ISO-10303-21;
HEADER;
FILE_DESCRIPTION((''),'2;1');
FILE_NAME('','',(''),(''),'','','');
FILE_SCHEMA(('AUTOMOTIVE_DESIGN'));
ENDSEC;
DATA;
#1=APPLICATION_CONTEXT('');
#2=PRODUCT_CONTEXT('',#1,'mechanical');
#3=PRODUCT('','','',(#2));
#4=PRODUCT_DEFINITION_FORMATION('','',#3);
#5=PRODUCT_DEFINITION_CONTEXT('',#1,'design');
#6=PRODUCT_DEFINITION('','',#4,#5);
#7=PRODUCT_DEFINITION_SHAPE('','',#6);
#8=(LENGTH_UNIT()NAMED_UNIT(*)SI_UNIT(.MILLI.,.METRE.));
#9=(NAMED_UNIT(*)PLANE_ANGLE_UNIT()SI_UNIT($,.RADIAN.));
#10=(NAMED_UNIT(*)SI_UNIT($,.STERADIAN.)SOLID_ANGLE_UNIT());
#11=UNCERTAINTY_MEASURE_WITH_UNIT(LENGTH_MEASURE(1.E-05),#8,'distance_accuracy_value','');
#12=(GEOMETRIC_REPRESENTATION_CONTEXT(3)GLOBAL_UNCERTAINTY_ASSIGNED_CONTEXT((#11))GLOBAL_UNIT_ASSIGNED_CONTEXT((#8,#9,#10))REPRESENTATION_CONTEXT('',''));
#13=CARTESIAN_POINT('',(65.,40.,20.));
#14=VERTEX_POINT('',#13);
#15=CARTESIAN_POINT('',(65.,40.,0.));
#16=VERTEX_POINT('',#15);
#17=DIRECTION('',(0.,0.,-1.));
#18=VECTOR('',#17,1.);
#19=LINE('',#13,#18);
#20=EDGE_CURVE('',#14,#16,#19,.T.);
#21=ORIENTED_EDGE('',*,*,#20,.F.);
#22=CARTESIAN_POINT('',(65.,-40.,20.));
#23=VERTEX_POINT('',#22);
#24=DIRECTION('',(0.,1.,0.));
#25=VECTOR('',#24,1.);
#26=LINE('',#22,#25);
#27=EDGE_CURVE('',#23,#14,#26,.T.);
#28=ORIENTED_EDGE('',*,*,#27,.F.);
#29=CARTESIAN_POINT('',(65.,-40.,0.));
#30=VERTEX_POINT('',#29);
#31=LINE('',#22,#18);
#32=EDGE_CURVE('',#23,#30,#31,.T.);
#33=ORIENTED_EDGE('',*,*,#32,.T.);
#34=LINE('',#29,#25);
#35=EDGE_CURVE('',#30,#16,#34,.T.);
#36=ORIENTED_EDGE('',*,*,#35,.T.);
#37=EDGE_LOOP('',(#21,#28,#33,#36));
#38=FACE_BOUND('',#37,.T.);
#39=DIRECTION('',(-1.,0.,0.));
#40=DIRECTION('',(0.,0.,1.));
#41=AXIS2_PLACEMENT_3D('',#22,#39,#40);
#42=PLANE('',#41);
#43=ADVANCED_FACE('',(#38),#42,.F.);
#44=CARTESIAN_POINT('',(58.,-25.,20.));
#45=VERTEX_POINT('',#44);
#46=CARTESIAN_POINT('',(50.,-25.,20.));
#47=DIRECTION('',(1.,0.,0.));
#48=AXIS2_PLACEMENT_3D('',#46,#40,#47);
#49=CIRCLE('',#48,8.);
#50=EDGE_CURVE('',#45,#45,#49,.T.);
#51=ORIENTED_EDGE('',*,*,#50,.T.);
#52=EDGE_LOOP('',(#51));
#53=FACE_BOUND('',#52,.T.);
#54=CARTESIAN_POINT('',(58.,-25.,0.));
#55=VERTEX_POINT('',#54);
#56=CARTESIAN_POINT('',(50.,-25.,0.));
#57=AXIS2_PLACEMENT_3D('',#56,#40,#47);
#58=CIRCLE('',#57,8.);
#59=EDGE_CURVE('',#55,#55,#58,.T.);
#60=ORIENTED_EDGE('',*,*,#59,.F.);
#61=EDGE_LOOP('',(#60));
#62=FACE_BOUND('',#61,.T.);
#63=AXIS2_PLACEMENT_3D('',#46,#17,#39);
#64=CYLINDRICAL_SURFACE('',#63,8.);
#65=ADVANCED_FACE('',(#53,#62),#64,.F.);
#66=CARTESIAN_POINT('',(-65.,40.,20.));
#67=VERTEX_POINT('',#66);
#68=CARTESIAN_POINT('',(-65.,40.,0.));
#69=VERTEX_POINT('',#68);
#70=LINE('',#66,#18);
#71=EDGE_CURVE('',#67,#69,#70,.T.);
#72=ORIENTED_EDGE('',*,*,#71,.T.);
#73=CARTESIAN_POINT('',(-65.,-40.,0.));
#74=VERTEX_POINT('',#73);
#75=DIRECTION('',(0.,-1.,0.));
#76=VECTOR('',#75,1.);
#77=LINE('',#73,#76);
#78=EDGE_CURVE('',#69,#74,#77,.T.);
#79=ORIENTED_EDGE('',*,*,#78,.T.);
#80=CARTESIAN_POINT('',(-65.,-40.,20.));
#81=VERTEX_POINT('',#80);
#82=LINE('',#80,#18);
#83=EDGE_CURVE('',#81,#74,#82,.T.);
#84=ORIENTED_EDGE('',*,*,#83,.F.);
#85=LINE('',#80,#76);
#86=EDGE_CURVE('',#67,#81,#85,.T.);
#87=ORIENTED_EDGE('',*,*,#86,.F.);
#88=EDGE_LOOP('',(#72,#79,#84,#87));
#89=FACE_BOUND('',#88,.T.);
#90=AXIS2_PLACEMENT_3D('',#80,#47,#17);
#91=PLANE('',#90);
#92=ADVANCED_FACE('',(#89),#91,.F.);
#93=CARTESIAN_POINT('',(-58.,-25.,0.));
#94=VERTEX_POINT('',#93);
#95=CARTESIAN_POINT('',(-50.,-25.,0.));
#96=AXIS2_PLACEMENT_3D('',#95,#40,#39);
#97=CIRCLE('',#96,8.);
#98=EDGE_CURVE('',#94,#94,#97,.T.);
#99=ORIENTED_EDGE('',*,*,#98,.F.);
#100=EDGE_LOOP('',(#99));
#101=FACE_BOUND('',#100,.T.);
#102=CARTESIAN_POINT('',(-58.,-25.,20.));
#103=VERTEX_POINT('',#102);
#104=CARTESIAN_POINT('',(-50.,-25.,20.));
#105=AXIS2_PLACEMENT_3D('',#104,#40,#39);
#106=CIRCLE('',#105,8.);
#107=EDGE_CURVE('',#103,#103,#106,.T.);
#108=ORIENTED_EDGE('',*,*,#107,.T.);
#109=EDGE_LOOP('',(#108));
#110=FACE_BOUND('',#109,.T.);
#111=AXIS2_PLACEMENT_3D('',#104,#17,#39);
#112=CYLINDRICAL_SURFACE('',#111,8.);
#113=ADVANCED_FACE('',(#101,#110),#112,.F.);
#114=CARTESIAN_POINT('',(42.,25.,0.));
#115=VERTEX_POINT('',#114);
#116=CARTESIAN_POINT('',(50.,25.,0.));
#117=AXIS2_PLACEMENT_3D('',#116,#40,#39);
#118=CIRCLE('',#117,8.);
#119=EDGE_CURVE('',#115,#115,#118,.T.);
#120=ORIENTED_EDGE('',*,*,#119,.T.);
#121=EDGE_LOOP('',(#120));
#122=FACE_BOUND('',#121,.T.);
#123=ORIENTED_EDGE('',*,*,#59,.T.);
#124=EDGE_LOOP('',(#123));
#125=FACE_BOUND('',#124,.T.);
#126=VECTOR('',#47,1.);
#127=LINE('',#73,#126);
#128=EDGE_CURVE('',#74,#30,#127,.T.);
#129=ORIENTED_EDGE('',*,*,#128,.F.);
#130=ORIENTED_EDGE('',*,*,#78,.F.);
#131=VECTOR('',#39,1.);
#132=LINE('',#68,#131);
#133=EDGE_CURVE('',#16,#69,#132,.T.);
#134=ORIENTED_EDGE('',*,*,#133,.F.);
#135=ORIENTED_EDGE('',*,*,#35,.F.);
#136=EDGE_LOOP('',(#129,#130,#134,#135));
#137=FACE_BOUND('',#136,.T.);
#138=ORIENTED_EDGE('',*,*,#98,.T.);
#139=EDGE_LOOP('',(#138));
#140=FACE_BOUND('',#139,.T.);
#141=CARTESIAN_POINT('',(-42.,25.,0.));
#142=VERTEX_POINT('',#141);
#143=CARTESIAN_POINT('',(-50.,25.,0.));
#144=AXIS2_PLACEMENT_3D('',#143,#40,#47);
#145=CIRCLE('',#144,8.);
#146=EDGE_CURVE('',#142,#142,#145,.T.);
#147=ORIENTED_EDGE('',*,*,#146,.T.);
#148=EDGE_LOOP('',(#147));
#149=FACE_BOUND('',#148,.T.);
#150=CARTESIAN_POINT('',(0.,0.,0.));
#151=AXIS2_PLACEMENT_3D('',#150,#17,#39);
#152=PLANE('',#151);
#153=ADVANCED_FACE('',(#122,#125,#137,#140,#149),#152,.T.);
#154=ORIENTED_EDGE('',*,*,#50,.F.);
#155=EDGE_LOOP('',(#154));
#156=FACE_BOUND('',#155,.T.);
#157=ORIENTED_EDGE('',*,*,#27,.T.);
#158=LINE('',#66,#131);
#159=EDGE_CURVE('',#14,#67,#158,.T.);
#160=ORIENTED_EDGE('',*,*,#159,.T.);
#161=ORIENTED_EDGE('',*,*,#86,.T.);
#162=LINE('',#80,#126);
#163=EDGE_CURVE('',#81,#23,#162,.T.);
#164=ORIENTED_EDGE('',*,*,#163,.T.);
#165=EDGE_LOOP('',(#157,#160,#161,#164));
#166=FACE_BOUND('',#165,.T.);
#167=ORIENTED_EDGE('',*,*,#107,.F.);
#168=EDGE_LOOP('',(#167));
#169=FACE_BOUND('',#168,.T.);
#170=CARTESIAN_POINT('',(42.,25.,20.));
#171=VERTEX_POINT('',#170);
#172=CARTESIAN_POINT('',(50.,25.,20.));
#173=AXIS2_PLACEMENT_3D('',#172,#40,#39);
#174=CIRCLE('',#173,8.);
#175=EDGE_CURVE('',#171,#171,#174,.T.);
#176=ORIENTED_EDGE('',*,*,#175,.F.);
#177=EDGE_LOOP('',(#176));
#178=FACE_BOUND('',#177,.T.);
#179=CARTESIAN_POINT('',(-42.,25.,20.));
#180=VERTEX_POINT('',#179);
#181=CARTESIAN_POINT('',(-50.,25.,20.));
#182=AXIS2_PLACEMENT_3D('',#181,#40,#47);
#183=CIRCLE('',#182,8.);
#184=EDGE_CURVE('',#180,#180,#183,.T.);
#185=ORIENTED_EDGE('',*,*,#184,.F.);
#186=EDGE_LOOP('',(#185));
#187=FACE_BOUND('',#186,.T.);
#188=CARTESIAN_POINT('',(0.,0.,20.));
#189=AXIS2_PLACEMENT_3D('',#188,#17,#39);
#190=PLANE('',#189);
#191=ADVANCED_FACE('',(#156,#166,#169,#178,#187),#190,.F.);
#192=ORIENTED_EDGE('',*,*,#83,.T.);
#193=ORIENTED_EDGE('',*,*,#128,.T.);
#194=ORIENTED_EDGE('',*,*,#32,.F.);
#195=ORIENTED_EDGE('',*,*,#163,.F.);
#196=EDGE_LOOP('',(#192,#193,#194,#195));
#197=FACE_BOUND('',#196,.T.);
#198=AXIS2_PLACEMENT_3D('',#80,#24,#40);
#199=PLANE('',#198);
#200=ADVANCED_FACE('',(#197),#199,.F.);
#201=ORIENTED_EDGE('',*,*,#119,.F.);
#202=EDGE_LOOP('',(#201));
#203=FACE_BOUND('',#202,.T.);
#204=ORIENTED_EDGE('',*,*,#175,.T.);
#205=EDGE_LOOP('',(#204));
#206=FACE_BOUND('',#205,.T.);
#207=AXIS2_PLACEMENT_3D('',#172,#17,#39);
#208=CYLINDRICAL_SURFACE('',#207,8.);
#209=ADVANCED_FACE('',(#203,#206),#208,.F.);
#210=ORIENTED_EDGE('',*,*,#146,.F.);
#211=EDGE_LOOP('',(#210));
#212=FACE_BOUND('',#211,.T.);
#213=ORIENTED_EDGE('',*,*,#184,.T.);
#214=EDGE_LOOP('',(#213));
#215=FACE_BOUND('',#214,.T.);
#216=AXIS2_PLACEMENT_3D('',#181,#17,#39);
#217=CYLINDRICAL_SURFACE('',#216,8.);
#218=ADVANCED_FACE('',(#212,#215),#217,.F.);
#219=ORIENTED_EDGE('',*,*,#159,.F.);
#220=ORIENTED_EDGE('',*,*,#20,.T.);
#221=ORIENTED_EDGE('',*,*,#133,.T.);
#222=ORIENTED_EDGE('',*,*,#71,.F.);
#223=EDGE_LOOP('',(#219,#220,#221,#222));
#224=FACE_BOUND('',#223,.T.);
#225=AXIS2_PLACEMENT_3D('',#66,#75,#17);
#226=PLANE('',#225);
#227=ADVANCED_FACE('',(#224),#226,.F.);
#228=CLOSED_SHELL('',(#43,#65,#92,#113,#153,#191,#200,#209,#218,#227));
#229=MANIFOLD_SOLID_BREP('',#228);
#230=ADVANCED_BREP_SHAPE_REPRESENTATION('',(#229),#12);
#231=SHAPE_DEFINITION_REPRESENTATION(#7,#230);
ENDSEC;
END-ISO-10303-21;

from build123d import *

# Parameters (mm, degrees)
ESBO_O2_W                = 130
ESBO_O2_H                = 80
ESBO_O2_R                = 8
RESSALTO_EXTRUS_O1_DEPTH = 20


with BuildPart() as part:
    # Esboço2 → Ressalto-extrusão1 (new body)
    with BuildSketch(Plane.XY):
        Rectangle(ESBO_O2_W, ESBO_O2_H)
        with Locations((-50, 25)):
            Circle(ESBO_O2_R, mode=Mode.SUBTRACT)
        with Locations(Location((50, 25, 0), (0, 0, 180))):
            Circle(ESBO_O2_R, mode=Mode.SUBTRACT)
        with Locations((50, -25)):
            Circle(ESBO_O2_R, mode=Mode.SUBTRACT)
        with Locations(Location((-50, -25, 0), (0, 0, 180))):
            Circle(ESBO_O2_R, mode=Mode.SUBTRACT)
    extrude(amount=RESSALTO_EXTRUS_O1_DEPTH)


solid = part.part
